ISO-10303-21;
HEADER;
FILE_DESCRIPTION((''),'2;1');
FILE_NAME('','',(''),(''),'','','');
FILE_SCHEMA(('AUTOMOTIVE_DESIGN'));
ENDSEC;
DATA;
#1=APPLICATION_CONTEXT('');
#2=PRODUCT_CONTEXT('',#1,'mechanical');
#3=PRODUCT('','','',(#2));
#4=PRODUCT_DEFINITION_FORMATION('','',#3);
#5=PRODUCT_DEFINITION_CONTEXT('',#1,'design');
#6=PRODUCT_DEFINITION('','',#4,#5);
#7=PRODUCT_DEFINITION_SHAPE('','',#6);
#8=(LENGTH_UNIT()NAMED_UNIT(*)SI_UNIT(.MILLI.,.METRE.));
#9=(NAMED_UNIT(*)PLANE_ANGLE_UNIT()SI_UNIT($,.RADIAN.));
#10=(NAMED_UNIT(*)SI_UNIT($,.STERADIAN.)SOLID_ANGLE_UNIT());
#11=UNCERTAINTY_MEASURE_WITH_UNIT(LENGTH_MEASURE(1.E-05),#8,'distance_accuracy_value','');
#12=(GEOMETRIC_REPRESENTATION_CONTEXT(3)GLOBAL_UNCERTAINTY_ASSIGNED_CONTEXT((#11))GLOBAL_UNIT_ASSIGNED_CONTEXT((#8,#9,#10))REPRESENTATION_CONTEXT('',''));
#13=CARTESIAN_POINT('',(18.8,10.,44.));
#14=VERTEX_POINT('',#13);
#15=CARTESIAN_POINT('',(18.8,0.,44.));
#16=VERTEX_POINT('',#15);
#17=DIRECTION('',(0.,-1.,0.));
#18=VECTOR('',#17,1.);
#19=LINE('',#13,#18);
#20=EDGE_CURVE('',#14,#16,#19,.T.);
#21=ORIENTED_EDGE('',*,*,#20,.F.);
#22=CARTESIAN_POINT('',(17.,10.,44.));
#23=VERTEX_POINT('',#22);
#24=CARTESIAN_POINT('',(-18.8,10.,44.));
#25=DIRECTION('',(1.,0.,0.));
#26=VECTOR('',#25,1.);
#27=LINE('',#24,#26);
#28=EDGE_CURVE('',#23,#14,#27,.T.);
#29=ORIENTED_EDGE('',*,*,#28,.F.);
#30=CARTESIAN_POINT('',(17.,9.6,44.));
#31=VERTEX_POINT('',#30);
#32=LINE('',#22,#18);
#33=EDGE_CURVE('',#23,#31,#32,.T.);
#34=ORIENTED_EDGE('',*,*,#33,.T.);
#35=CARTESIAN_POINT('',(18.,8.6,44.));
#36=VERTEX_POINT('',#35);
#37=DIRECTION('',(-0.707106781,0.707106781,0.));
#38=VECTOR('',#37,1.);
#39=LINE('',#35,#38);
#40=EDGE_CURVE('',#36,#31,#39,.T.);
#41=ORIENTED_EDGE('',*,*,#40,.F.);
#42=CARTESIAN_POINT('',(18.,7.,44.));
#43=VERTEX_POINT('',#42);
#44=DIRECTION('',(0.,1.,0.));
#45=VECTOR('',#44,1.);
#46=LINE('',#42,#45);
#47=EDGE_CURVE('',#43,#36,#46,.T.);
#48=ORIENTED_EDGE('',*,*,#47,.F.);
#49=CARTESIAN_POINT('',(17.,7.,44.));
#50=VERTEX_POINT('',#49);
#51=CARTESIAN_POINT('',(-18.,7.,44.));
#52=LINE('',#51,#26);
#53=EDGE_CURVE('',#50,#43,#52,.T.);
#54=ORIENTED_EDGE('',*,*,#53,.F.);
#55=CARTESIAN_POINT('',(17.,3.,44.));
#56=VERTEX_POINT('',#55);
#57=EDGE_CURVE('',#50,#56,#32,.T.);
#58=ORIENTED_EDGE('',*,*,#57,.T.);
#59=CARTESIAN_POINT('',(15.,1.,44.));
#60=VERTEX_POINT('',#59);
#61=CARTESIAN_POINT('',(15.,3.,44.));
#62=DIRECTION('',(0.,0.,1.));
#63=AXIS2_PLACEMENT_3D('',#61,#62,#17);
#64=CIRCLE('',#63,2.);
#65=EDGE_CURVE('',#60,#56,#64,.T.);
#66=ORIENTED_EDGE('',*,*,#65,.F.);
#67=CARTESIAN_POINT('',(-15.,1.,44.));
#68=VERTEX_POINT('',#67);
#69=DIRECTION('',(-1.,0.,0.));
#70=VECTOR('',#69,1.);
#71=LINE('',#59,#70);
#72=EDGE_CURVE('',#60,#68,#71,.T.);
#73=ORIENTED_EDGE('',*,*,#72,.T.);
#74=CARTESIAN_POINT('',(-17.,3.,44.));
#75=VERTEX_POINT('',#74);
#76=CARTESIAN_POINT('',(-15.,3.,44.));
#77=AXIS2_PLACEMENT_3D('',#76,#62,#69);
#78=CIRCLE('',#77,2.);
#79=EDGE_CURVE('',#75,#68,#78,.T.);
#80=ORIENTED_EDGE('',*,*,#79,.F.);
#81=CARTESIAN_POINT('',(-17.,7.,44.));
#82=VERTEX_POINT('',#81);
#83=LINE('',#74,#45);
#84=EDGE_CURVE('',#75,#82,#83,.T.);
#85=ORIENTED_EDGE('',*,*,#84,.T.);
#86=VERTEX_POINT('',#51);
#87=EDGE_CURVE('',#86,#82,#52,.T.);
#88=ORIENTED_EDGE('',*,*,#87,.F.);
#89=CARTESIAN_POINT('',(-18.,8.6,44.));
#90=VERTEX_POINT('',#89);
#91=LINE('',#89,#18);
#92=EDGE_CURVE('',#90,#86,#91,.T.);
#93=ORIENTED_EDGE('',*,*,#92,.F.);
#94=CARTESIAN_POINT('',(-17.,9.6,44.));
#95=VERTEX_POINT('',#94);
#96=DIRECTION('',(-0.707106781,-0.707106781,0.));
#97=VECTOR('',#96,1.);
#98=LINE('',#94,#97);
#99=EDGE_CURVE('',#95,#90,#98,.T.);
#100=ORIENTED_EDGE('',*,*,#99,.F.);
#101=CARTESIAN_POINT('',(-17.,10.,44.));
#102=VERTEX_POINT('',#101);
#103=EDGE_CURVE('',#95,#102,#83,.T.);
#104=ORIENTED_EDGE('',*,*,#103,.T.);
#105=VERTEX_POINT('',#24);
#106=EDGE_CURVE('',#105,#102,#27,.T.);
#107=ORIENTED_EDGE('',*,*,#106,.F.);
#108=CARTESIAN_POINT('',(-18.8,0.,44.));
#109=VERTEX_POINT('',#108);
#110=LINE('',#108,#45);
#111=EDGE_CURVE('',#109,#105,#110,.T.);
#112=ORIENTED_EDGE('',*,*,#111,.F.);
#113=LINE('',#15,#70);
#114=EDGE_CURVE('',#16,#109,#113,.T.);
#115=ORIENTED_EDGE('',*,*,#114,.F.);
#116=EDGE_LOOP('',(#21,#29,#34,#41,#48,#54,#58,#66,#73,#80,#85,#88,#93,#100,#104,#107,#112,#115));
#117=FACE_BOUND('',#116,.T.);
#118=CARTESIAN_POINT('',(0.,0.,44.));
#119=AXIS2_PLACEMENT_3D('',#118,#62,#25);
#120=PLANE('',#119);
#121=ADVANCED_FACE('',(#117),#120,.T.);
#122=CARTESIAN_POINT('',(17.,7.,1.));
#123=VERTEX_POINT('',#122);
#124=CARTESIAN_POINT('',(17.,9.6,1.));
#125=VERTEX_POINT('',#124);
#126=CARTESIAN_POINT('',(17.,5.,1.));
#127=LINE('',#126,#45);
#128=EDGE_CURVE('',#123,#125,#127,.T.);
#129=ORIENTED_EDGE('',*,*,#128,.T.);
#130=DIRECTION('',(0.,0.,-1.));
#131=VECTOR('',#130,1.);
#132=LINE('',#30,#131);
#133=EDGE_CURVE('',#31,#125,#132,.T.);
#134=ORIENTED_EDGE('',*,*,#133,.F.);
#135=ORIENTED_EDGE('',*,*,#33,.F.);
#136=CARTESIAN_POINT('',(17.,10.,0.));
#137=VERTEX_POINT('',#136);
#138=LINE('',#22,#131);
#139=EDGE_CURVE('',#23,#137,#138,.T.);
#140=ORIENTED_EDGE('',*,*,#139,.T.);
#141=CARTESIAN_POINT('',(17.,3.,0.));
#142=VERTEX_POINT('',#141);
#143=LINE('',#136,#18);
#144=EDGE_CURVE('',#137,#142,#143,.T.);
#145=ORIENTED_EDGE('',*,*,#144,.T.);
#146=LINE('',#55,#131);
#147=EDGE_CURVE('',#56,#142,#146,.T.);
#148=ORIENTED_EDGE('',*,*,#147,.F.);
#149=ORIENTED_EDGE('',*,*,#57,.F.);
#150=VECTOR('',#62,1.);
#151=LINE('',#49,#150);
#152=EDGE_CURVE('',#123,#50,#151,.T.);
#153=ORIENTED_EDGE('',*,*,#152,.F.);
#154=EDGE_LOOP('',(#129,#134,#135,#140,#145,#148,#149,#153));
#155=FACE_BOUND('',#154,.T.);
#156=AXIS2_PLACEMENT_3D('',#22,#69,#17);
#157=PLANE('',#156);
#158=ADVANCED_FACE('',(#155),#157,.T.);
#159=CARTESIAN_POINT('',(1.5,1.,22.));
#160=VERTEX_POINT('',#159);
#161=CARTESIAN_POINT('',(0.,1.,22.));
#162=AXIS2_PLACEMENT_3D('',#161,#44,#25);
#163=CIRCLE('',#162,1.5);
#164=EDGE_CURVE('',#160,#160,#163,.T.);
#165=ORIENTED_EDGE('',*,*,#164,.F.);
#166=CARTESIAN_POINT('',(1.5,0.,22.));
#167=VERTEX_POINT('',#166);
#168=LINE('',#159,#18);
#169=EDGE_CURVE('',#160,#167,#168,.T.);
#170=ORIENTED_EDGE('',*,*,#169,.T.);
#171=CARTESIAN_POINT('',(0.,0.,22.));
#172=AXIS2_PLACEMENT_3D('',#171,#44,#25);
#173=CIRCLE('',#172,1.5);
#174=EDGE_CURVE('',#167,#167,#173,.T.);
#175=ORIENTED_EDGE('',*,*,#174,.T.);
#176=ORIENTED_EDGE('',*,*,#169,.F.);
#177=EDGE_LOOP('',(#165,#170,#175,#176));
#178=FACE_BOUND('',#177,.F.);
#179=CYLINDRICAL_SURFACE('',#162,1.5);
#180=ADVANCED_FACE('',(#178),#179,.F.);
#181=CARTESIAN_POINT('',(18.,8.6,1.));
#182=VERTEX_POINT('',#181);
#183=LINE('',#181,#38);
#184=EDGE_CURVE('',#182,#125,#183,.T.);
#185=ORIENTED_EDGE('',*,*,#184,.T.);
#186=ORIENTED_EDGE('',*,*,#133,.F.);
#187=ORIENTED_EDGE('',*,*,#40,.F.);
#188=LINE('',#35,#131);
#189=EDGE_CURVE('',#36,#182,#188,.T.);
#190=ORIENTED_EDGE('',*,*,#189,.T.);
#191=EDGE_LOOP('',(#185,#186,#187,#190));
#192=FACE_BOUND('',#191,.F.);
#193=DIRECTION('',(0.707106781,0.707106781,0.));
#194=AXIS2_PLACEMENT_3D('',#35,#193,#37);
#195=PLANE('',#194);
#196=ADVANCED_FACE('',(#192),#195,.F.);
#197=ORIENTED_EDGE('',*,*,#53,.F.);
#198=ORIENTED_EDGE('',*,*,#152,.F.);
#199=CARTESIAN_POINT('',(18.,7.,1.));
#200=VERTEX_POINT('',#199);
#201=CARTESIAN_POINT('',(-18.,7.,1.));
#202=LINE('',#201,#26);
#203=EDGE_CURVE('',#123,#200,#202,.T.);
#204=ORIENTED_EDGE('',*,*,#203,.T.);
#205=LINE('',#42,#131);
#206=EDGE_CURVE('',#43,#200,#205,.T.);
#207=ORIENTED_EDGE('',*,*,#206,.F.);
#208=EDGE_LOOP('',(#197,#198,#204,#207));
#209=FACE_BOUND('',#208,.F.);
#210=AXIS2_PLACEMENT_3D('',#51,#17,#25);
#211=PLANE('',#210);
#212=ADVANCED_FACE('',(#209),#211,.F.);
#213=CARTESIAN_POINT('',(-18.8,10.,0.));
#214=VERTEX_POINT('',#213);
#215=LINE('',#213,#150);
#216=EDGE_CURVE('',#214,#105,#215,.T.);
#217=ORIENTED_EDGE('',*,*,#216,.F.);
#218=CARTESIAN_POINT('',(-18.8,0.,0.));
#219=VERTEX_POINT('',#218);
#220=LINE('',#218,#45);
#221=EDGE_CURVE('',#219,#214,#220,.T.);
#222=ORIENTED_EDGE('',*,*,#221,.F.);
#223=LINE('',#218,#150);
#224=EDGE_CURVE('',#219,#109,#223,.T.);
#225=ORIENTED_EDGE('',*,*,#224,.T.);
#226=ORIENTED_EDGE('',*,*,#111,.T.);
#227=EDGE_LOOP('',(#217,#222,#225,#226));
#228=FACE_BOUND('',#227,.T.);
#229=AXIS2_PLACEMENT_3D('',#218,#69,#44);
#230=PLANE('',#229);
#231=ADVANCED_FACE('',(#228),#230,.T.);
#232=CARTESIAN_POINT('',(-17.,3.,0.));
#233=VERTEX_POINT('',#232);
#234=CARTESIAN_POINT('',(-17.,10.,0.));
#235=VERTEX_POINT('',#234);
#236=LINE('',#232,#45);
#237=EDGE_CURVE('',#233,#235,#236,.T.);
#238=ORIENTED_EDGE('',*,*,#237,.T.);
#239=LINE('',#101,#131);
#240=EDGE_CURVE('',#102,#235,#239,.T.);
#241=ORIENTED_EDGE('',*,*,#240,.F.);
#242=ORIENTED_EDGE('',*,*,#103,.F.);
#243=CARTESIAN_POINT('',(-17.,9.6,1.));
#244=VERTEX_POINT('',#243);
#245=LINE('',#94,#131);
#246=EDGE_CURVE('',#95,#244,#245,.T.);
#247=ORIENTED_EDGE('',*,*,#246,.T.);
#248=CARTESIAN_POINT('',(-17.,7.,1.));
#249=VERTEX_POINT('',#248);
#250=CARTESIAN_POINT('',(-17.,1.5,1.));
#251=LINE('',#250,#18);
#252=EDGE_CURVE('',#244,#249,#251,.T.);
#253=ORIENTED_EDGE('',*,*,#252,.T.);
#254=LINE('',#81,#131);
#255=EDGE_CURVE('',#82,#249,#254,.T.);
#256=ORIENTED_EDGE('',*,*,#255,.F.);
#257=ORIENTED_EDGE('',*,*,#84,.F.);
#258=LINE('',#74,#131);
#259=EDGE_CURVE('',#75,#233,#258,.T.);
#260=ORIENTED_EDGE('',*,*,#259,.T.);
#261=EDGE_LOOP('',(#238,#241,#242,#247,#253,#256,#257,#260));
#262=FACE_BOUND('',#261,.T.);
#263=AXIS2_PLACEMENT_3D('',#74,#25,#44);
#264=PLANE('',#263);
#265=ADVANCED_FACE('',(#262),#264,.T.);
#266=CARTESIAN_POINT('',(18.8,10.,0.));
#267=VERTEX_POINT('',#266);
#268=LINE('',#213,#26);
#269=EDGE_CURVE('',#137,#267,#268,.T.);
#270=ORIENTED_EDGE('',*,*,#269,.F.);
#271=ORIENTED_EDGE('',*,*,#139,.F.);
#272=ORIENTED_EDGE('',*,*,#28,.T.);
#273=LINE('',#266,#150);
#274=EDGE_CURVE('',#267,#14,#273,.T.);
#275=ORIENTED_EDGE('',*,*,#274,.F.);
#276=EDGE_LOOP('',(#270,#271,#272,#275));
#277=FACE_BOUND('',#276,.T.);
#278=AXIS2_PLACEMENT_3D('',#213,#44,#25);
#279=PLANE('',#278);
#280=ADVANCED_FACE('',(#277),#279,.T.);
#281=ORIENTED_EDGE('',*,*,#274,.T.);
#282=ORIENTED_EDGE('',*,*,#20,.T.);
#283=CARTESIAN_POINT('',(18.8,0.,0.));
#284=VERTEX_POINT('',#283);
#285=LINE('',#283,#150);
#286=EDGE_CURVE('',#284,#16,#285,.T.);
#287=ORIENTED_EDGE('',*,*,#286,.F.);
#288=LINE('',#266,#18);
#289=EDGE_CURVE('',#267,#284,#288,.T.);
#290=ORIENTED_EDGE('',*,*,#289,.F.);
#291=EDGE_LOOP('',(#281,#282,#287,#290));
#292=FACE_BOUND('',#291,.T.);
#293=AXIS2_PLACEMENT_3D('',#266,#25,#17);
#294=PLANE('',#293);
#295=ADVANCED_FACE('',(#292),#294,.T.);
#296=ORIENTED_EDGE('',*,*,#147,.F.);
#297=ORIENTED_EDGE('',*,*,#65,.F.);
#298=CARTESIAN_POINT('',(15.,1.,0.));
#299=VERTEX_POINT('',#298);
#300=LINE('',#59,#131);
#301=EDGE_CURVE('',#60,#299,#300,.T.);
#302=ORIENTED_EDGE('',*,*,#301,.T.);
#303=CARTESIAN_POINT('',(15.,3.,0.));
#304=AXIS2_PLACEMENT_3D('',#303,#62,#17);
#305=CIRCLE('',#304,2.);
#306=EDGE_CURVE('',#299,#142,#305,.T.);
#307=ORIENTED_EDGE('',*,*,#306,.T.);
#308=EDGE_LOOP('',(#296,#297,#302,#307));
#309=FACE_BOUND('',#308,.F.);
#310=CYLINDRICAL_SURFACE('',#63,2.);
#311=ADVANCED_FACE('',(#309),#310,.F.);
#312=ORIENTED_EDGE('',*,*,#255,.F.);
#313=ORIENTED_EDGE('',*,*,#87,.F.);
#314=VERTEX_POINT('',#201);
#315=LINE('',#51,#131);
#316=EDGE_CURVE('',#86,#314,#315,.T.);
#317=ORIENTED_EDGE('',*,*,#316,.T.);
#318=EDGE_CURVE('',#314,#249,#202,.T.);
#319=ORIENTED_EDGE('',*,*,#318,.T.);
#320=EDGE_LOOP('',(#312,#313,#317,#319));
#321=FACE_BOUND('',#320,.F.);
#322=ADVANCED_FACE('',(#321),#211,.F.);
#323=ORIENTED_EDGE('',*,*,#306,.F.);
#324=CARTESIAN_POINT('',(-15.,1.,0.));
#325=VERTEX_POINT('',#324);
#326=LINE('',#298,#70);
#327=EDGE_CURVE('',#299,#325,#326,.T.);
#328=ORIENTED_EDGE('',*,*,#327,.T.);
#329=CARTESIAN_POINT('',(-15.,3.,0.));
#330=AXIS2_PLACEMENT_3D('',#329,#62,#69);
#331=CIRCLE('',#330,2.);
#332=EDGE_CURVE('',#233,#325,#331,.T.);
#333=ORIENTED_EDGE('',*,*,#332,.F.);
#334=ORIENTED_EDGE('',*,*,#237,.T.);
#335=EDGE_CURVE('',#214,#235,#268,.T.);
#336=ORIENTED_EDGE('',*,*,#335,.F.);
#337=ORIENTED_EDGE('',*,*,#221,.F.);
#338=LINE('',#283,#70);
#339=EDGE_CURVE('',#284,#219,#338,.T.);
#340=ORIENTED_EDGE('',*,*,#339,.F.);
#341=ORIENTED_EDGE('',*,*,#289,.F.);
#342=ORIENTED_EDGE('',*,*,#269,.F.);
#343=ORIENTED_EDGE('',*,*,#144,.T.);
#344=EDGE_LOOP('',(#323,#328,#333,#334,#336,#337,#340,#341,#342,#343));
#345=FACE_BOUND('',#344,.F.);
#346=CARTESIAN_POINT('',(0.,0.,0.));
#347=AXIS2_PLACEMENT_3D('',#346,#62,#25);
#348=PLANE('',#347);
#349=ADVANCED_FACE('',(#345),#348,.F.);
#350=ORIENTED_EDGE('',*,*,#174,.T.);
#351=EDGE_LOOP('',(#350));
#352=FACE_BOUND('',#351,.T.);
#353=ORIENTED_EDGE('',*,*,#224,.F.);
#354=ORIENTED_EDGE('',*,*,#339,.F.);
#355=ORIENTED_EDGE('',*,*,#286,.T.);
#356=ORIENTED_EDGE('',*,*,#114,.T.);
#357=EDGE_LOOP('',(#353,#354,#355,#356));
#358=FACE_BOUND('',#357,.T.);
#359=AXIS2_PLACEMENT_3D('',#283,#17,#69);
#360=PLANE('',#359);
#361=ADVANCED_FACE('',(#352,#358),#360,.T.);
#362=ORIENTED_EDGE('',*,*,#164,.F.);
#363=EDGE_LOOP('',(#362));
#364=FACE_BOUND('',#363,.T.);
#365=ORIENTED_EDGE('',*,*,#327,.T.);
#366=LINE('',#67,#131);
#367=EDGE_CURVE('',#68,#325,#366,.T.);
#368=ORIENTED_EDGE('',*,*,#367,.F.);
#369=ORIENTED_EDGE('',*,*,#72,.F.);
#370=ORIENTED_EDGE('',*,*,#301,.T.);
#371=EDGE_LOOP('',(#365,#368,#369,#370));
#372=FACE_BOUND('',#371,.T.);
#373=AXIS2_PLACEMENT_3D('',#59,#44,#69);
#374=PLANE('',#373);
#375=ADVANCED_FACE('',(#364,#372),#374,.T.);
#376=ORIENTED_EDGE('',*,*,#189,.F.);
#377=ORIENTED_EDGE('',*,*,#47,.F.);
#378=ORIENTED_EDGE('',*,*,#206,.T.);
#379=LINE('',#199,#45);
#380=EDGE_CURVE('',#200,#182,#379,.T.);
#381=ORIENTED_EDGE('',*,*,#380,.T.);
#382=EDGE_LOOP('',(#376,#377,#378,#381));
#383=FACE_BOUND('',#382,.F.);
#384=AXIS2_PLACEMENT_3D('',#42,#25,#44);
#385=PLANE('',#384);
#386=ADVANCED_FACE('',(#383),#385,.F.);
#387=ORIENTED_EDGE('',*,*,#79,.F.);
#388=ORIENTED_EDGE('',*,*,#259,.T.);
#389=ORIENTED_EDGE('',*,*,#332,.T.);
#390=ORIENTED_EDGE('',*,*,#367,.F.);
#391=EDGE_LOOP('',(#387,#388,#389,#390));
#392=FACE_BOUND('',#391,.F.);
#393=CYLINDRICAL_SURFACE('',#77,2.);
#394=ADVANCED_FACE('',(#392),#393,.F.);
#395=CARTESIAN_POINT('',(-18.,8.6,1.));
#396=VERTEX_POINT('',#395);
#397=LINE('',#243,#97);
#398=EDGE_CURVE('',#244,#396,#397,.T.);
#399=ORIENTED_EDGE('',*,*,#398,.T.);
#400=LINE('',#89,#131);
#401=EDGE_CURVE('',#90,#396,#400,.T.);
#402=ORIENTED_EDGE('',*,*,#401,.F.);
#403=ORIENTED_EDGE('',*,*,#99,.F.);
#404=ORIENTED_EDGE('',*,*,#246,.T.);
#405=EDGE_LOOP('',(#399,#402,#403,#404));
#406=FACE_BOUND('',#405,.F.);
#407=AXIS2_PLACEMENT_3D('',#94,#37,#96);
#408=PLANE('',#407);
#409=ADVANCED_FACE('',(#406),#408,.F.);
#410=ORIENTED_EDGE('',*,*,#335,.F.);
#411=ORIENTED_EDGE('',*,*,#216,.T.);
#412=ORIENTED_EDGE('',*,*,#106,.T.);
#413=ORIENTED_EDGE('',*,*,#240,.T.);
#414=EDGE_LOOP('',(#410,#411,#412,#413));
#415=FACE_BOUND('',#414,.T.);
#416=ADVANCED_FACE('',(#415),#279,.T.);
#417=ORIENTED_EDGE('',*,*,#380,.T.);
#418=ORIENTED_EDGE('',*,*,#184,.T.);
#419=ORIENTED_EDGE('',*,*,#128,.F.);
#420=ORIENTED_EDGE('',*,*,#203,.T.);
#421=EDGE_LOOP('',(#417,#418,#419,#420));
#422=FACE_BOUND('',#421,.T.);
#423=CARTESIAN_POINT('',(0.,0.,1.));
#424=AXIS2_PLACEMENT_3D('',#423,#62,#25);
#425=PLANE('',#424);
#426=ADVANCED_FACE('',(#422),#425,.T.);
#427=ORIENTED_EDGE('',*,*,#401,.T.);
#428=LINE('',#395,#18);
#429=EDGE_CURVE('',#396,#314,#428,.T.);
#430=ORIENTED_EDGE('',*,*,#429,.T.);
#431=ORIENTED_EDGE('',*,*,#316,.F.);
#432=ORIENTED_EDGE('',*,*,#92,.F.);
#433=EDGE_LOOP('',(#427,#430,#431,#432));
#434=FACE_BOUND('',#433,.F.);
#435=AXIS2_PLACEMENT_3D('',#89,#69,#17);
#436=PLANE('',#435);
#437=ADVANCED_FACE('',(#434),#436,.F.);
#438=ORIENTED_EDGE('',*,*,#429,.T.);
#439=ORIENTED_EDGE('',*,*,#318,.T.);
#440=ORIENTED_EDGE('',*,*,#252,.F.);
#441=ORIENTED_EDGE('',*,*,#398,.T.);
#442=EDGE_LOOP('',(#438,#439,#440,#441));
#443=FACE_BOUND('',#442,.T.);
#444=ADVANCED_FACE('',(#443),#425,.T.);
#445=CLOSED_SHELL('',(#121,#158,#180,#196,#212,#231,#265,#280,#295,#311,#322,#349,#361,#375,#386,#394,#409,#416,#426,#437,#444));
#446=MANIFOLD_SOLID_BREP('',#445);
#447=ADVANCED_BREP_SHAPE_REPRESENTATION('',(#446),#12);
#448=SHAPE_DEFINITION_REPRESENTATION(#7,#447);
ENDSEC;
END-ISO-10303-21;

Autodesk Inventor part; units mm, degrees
ref_plane "YZ Plane" through (0, 0, 0) normal (1, 0, 0) x (0, 1, 0)
ref_plane "XZ Plane" through (0, 0, 0) normal (0, 1, 0) x (-1, 0, 0)
ref_plane "XY Plane" through (0, 0, 0) normal (0, 0, 1) x (1, 0, 0)
sketch "本体面" plane through (0, 0, 0) normal (0, 0, 1) x (1, 0, 0)
  line L0 (-18.8, 10) -> (18.8, 10)
  line L1 (18.8, 10) -> (18.8, 0)
  line L2 (18.8, 0) -> (-18.8, 0)
  line L3 (-18.8, 0) -> (-18.8, 10)
  point P0 (0, 0)
  point P1 (0, 0)
  dimension "d0" = 37.6
  dimension "d1" = 10
extrude "本体" add sketch "本体面" along normal blind 44
sketch "空洞面" plane through (0, 0, 44) normal (0, 0, 1) x (1, 0, 0)
  line L0 (-17, 10) -> (17, 10)
  line L1 (17, 10) -> (17, 3)
  line L2 (15, 1) -> (-15, 1)
  line L3 (-17, 3) -> (-17, 10)
  line L4 (18.8, 10) -> (-18.8, 10) projected
  arc A0 (-17, 3) -> (-15, 1) centre (-15, 3) ccw
  arc A1 (15, 1) -> (17, 3) centre (15, 3) ccw
  point P0 (0, 0)
  point P1 (17, 1)
  point P2 (-17, 1)
  point P3 (0, 10)
  dimension "d4" = 34
  dimension "d5" = 9
  dimension "d6" = 2
extrude "空洞" cut sketch "空洞面" against normal up to surface (44 mm away)
sketch "溝形状" plane through (0, 0, 44) normal (0, 0, 1) x (1, 0, 0)
  line L0 (-17, 10) -> (-18.8, 10) construction
  line L1 (-18.8, 10) -> (-18.8, 0) construction
  line L2 (-17, 3) -> (-17, 10) construction
  line L3 (17, 9.6) -> (-17, 9.6)
  line L4 (-17, 9.6) -> (-18, 8.6)
  line L5 (18, 8.6) -> (17, 9.6)
  line L6 (18.8, 0) -> (18.8, 10) construction
  line L7 (18.8, 10) -> (17, 10) construction
  line L8 (17, 10) -> (17, 3) construction
  line L9 (-18, 8.6) -> (-18, 7)
  line L10 (-18, 7) -> (18, 7)
  line L11 (18, 7) -> (18, 8.6)
  line L12 (-10, 9) -> (10, 9) construction
  line L13 (10, 9) -> (10, 7) construction
  line L14 (10, 7) -> (-10, 7) construction
  line L15 (-10, 7) -> (-10, 9) construction
  point P0 (0, 0)
  point P1 (0, 7)
  dimension "d31" = 135
  dimension "d34" = 0.8
  dimension "d35" = 0.4
  dimension "d36" = 0.8
  dimension "d37" = 135
  dimension "d38" = 2.6
  dimension "d41" = 2
  dimension "d42" = 20
extrude "溝" cut sketch "溝形状" against normal blind 43
sketch "底中央" plane through (-18.8, 0, 0) normal (0, -1, 0) x (1, 0, 0)
  line L0 (0, 0) -> (0, 44) construction
  line L1 (37.6, 0) -> (0, 0) construction
  point P0 (18.8, 0)
  point P1 (18.8, 22)
  point P2 (0, 22)
  point P3 (18.8, 0)
sketch "スケッチ8" plane through (-15, 1, 44) normal (0, 1, 0) x (1, 0, 0)
  line L0 (30, 0) -> (30, 44) projected
  line L1 (-2, 44) -> (0, 44) projected
  line L2 (0, 0) -> (0, 44) projected
  line L3 (30, 44) -> (32, 44) projected
  circle A0 centre (15, 22) radius 1.5
  point P0 (15, 44)
  dimension "d50" = 3
extrude "押し出し5" cut sketch "スケッチ8" against normal through all
properties part number "HB5_holder"
